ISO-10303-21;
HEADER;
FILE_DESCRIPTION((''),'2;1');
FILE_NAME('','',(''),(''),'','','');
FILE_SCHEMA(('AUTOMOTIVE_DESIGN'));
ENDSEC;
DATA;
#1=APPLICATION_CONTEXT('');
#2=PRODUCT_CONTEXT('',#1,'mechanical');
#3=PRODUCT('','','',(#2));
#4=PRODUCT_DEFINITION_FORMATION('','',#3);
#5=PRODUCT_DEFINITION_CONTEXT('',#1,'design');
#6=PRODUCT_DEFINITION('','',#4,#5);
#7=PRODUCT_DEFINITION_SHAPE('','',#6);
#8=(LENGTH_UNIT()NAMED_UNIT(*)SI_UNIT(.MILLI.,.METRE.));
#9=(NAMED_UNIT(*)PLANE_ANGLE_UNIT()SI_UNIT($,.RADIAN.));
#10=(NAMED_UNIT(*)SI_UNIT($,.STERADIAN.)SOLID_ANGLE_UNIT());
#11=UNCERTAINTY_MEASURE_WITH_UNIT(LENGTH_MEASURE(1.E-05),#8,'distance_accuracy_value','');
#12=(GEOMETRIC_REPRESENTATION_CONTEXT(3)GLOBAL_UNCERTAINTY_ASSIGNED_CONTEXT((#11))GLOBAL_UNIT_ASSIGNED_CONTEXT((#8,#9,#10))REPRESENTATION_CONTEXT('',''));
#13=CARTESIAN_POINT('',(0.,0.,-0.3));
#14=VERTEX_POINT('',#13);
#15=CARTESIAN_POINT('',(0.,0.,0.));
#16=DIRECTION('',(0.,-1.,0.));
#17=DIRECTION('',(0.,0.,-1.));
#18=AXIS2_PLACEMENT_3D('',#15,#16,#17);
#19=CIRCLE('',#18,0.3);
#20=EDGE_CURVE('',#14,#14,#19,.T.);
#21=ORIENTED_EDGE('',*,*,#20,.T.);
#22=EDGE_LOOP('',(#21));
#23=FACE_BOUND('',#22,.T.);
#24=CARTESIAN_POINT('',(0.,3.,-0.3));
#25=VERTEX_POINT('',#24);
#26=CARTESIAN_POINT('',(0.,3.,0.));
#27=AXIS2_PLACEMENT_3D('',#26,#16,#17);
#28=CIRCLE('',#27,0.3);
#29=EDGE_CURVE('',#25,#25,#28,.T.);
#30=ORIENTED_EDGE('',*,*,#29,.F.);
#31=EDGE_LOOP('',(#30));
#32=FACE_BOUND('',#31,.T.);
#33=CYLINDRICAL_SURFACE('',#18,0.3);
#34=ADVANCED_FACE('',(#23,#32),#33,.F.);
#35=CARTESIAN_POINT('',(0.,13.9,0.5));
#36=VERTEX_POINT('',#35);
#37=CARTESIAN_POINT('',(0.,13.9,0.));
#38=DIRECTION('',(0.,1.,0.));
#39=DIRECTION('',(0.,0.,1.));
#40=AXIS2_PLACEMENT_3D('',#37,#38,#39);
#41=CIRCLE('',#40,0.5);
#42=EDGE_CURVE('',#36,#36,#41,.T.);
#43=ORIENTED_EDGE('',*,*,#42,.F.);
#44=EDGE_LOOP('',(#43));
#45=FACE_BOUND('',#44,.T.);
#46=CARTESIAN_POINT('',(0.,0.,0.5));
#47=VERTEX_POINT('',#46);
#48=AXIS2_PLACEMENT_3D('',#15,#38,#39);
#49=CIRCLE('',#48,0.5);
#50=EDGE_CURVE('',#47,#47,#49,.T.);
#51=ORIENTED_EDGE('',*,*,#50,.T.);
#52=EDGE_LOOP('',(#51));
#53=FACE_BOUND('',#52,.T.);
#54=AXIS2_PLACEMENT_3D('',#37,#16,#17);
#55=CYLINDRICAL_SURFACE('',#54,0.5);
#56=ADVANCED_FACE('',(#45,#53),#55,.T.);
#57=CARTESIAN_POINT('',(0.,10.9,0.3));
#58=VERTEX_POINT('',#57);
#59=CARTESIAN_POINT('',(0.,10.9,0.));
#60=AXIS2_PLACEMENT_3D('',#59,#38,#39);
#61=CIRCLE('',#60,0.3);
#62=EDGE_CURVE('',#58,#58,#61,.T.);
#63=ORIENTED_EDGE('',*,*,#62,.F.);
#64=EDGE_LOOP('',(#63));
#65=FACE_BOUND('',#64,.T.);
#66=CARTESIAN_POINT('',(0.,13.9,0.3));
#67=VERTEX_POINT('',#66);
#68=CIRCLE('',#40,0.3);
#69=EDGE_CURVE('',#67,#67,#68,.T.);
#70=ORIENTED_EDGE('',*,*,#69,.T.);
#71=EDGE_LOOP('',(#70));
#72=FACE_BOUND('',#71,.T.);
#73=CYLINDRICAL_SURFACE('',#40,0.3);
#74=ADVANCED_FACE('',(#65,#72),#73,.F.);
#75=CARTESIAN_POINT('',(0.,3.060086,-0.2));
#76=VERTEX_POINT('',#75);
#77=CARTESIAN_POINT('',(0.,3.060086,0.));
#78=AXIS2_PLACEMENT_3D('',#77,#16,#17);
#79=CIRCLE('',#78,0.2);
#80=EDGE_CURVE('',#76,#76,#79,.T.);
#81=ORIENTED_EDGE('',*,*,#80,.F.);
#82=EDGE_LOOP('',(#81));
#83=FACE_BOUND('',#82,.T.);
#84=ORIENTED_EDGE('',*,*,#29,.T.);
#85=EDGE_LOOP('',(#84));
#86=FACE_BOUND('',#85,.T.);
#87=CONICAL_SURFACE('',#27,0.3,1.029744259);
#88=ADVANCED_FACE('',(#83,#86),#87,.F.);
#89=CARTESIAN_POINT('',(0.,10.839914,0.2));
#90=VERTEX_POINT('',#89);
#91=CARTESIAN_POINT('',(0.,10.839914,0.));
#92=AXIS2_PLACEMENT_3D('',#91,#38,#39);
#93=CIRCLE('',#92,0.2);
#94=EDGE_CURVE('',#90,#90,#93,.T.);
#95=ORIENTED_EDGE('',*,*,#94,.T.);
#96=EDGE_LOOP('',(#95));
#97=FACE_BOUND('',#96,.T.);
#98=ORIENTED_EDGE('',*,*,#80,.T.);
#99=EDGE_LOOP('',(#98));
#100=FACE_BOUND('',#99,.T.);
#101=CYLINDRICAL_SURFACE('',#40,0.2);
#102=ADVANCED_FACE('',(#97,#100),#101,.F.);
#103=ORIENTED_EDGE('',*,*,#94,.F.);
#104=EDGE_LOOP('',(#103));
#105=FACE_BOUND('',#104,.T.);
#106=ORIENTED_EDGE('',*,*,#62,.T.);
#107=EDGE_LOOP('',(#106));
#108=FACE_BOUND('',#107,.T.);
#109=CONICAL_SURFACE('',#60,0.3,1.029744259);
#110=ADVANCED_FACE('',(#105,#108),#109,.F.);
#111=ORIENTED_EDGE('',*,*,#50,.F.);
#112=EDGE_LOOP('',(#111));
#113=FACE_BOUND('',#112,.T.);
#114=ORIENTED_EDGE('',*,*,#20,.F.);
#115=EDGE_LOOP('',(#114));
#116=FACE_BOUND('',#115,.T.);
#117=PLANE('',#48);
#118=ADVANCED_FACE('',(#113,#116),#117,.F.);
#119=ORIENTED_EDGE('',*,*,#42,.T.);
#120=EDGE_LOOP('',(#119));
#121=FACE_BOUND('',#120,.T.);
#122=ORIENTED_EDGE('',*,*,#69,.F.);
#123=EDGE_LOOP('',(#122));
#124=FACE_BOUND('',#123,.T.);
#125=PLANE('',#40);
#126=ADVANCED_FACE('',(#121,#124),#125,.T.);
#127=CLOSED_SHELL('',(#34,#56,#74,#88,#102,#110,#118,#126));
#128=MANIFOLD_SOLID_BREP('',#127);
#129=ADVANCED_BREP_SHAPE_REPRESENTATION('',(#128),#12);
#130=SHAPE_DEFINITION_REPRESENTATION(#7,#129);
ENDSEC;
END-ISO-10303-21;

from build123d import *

# Parameters (mm, degrees)
SKETCH1_R                      = 0.5
BOSS_EXTRUDE1_DEPTH            = 13.9
F_0_4_0_4_DIAMETER_HOLE1_D     = 0.4
F_0_6_0_6_DIAMETER_HOLE1_D     = 0.6
F_0_6_0_6_DIAMETER_HOLE1_DEPTH = 3
F_0_6_0_6_DIAMETER_HOLE1_TIP   = 0.180258186
F_0_6_0_6_DIAMETER_HOLE2_D     = 0.6
F_0_6_0_6_DIAMETER_HOLE2_DEPTH = 3
F_0_6_0_6_DIAMETER_HOLE2_TIP   = 0.180258186


with BuildPart() as part:
    # Sketch1 → Boss-Extrude1 (new body)
    with BuildSketch(Plane(origin=(0, 0, 0), x_dir=(1, 0, 0), z_dir=(0, 1, 0))):
        with Locations(Location((0, 0, 0), (0, 0, 270))):
            Circle(SKETCH1_R)
    extrude(amount=BOSS_EXTRUDE1_DEPTH)

    # Ø0.4 (0.4) Diameter Hole1 (through all)
    with Locations(Plane(origin=(0, 13.9, 0), x_dir=(-1, 0, 0), z_dir=(0, 1, 0))):
        with Locations((0, 0)):
            Hole(F_0_4_0_4_DIAMETER_HOLE1_D / 2)

    # Ø0.6 (0.6) Diameter Hole1
    with Locations(Plane(origin=(0, 13.9, 0), x_dir=(-1, 0, 0), z_dir=(0, 1, 0))):
        with Locations((0, 0)):
            Hole(F_0_6_0_6_DIAMETER_HOLE1_D / 2, depth=F_0_6_0_6_DIAMETER_HOLE1_DEPTH)
            with Locations((0, 0, -(F_0_6_0_6_DIAMETER_HOLE1_DEPTH + F_0_6_0_6_DIAMETER_HOLE1_TIP / 2))):  # 118° drill point
                Cone(0, F_0_6_0_6_DIAMETER_HOLE1_D / 2, F_0_6_0_6_DIAMETER_HOLE1_TIP, mode=Mode.SUBTRACT)

    # Ø0.6 (0.6) Diameter Hole2
    with Locations(Plane.XZ):
        with Locations((0, 0)):
            Hole(F_0_6_0_6_DIAMETER_HOLE2_D / 2, depth=F_0_6_0_6_DIAMETER_HOLE2_DEPTH)
            with Locations((0, 0, -(F_0_6_0_6_DIAMETER_HOLE2_DEPTH + F_0_6_0_6_DIAMETER_HOLE2_TIP / 2))):  # 118° drill point
                Cone(0, F_0_6_0_6_DIAMETER_HOLE2_D / 2, F_0_6_0_6_DIAMETER_HOLE2_TIP, mode=Mode.SUBTRACT)


solid = part.part
